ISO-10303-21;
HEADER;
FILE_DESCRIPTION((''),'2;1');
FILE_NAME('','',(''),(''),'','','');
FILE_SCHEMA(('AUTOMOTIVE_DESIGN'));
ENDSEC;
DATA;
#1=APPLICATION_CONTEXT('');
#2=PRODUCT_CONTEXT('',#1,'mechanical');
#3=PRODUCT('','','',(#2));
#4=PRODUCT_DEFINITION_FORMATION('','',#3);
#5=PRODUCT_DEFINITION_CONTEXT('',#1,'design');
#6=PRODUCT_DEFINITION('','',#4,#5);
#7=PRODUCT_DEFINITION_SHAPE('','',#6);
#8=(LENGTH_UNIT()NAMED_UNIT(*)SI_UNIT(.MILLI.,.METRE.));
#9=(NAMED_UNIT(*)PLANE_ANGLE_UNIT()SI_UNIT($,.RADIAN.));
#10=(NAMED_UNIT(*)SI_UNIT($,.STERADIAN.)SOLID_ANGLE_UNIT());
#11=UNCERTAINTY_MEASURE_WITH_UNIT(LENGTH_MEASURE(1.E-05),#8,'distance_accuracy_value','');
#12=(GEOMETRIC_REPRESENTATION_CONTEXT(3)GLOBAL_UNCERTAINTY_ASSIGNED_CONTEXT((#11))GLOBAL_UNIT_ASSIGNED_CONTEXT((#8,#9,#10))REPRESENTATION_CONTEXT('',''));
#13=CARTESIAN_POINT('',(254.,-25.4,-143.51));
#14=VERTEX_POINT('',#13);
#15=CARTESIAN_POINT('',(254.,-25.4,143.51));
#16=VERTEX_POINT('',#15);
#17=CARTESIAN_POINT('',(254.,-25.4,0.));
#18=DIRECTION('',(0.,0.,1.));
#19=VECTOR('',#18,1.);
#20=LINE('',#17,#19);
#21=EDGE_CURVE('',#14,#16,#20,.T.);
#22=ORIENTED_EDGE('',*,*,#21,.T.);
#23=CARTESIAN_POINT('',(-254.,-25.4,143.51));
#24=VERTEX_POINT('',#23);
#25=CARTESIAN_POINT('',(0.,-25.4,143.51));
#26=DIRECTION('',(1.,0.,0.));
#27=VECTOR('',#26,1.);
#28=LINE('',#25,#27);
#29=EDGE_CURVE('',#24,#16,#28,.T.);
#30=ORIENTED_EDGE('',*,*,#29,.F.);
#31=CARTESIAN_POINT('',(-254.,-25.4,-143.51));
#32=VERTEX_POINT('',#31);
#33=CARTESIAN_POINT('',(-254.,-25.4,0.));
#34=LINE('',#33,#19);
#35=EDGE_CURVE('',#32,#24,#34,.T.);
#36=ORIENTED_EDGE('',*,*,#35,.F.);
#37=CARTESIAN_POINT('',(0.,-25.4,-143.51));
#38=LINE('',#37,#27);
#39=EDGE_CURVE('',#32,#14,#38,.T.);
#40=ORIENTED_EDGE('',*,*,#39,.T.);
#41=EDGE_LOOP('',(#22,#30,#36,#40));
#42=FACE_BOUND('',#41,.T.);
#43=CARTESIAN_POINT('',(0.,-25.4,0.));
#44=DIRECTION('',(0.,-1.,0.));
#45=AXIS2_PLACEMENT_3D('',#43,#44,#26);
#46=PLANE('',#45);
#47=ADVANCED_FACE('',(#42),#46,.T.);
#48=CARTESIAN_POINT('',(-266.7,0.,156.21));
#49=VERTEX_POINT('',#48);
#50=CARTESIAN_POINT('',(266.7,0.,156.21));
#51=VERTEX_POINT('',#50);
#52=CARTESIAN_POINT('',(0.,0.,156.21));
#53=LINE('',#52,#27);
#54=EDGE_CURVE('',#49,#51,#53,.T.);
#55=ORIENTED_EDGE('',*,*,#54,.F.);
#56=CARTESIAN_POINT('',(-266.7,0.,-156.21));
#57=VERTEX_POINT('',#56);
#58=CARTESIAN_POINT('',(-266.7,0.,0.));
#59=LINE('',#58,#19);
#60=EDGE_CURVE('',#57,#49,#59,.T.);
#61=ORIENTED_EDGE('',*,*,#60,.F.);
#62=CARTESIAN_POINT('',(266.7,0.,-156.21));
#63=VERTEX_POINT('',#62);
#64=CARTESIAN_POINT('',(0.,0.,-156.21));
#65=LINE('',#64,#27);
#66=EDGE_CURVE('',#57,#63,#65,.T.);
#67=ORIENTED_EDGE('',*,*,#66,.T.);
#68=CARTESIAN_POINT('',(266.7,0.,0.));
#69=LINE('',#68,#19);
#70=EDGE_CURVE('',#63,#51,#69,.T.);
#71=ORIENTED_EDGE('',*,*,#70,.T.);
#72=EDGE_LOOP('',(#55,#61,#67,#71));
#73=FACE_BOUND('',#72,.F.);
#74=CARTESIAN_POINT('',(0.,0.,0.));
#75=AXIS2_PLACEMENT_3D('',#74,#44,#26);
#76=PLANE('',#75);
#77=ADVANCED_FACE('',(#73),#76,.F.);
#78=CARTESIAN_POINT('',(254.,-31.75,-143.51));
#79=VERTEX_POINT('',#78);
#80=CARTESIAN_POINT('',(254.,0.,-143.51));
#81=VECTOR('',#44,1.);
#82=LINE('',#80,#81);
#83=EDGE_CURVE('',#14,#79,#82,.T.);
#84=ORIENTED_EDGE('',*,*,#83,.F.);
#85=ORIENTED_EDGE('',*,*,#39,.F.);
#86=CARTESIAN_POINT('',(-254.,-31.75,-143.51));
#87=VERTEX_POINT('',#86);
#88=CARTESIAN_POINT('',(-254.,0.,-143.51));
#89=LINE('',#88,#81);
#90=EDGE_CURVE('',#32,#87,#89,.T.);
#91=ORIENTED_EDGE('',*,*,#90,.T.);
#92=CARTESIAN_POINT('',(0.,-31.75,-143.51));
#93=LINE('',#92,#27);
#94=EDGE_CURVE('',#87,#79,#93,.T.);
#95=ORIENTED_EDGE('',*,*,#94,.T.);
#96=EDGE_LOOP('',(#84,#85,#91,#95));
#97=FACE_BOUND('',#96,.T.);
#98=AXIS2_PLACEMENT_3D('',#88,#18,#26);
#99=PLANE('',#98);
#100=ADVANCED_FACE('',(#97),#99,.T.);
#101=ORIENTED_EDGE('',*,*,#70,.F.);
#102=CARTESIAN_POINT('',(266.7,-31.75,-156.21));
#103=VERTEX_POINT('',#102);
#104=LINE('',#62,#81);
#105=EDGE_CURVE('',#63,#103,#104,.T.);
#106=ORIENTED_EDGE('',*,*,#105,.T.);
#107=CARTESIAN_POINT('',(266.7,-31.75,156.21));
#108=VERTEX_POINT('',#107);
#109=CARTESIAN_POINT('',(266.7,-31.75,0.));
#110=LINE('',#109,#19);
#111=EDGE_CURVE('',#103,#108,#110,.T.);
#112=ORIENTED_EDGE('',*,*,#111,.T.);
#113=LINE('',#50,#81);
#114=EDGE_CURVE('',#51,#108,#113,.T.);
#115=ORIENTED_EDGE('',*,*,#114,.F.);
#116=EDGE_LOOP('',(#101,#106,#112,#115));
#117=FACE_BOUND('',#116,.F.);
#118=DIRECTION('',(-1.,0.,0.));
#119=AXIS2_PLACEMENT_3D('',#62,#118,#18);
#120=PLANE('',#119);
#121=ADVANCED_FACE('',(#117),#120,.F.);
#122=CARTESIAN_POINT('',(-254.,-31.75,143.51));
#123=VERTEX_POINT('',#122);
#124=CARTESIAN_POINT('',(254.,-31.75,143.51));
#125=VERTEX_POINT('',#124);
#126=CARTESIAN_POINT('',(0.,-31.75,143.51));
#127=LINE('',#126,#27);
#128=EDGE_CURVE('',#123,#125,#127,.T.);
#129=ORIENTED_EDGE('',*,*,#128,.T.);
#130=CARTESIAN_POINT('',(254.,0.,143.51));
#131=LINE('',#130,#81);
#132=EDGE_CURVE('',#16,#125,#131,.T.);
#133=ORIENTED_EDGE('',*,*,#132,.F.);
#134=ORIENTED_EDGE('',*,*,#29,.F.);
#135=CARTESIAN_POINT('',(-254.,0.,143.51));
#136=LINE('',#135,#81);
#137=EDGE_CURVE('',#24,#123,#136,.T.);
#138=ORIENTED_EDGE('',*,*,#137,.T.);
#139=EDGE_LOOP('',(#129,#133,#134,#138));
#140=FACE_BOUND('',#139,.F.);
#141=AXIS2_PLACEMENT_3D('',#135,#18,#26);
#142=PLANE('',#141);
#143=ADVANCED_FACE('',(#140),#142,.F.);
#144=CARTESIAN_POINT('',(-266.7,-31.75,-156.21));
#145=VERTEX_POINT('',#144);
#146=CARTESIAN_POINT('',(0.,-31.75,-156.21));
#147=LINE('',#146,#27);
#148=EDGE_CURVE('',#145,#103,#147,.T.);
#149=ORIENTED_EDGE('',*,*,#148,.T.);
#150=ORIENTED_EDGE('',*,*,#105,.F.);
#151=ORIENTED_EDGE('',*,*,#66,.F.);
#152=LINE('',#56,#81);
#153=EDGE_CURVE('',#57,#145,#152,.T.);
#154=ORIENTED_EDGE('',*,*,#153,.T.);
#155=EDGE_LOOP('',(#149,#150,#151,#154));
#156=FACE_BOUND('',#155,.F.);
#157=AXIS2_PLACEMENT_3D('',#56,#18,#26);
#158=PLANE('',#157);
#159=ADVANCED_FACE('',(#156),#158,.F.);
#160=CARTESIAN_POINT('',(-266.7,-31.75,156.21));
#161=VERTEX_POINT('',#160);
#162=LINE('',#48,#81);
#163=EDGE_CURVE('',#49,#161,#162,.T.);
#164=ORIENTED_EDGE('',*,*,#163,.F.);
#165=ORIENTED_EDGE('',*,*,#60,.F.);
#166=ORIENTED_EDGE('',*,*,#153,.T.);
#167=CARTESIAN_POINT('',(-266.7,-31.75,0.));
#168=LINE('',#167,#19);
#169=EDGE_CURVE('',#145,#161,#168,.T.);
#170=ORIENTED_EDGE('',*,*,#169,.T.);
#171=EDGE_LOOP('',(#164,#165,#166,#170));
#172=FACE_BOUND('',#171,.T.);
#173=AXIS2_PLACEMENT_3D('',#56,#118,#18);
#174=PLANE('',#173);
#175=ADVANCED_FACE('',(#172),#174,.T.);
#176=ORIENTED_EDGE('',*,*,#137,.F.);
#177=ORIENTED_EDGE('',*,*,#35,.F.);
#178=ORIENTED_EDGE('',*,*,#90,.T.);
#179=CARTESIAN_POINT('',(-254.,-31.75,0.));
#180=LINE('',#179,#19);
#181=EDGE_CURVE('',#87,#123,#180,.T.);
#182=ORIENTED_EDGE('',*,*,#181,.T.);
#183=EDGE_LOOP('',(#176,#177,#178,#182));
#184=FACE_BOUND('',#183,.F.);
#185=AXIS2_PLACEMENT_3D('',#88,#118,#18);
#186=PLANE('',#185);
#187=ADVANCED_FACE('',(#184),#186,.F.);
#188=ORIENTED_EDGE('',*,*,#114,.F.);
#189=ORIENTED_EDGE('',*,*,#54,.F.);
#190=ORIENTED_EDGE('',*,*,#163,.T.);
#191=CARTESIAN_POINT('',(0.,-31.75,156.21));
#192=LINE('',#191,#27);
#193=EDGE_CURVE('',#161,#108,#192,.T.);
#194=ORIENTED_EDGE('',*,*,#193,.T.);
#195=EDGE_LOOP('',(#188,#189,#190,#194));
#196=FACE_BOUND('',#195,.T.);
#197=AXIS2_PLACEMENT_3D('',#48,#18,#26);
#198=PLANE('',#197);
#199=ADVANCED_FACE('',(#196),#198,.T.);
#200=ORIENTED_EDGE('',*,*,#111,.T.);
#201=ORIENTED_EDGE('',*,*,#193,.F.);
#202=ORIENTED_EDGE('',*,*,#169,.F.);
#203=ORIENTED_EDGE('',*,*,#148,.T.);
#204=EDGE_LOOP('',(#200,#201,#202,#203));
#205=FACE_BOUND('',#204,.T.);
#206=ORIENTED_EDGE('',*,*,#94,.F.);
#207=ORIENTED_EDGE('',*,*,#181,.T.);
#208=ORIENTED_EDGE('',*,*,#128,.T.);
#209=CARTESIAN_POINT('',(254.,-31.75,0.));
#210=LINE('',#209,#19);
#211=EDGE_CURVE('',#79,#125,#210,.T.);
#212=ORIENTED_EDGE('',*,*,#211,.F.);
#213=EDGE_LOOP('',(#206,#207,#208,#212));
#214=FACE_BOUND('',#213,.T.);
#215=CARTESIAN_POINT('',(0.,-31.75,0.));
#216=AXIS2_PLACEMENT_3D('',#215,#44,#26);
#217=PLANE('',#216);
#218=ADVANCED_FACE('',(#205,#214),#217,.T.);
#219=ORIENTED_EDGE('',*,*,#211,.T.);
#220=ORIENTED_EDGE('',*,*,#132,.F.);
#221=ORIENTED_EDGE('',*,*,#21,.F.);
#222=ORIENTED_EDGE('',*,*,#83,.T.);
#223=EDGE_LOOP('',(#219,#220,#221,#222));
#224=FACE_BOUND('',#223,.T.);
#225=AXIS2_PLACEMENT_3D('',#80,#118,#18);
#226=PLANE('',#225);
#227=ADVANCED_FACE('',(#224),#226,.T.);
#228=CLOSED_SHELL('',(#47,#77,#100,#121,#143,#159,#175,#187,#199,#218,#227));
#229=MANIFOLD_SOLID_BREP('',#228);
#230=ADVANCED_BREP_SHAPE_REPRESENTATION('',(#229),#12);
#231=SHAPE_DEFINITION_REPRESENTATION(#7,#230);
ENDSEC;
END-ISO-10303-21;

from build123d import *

# Parameters (mm, degrees)
F0_W     = 508
F0_H     = 287.02
F1_DEPTH = 25.4
F2_W     = 533.4
F2_H     = 312.42
F2_W_2   = 508
F2_H_2   = 287.02
F3_DEPTH = 31.75


with BuildPart() as f1:
    # F0 (on Front) → F1 (new body)
    with BuildSketch(Plane.XZ):
        Rectangle(F0_W, F0_H)
    extrude(amount=F1_DEPTH)

    # F2 (on Front) → F3 (join)
    with BuildSketch(Plane.XZ):
        Rectangle(F2_W, F2_H)
        Rectangle(F2_W_2, F2_H_2, mode=Mode.SUBTRACT)
    extrude(amount=F3_DEPTH)


solid = f1.part
